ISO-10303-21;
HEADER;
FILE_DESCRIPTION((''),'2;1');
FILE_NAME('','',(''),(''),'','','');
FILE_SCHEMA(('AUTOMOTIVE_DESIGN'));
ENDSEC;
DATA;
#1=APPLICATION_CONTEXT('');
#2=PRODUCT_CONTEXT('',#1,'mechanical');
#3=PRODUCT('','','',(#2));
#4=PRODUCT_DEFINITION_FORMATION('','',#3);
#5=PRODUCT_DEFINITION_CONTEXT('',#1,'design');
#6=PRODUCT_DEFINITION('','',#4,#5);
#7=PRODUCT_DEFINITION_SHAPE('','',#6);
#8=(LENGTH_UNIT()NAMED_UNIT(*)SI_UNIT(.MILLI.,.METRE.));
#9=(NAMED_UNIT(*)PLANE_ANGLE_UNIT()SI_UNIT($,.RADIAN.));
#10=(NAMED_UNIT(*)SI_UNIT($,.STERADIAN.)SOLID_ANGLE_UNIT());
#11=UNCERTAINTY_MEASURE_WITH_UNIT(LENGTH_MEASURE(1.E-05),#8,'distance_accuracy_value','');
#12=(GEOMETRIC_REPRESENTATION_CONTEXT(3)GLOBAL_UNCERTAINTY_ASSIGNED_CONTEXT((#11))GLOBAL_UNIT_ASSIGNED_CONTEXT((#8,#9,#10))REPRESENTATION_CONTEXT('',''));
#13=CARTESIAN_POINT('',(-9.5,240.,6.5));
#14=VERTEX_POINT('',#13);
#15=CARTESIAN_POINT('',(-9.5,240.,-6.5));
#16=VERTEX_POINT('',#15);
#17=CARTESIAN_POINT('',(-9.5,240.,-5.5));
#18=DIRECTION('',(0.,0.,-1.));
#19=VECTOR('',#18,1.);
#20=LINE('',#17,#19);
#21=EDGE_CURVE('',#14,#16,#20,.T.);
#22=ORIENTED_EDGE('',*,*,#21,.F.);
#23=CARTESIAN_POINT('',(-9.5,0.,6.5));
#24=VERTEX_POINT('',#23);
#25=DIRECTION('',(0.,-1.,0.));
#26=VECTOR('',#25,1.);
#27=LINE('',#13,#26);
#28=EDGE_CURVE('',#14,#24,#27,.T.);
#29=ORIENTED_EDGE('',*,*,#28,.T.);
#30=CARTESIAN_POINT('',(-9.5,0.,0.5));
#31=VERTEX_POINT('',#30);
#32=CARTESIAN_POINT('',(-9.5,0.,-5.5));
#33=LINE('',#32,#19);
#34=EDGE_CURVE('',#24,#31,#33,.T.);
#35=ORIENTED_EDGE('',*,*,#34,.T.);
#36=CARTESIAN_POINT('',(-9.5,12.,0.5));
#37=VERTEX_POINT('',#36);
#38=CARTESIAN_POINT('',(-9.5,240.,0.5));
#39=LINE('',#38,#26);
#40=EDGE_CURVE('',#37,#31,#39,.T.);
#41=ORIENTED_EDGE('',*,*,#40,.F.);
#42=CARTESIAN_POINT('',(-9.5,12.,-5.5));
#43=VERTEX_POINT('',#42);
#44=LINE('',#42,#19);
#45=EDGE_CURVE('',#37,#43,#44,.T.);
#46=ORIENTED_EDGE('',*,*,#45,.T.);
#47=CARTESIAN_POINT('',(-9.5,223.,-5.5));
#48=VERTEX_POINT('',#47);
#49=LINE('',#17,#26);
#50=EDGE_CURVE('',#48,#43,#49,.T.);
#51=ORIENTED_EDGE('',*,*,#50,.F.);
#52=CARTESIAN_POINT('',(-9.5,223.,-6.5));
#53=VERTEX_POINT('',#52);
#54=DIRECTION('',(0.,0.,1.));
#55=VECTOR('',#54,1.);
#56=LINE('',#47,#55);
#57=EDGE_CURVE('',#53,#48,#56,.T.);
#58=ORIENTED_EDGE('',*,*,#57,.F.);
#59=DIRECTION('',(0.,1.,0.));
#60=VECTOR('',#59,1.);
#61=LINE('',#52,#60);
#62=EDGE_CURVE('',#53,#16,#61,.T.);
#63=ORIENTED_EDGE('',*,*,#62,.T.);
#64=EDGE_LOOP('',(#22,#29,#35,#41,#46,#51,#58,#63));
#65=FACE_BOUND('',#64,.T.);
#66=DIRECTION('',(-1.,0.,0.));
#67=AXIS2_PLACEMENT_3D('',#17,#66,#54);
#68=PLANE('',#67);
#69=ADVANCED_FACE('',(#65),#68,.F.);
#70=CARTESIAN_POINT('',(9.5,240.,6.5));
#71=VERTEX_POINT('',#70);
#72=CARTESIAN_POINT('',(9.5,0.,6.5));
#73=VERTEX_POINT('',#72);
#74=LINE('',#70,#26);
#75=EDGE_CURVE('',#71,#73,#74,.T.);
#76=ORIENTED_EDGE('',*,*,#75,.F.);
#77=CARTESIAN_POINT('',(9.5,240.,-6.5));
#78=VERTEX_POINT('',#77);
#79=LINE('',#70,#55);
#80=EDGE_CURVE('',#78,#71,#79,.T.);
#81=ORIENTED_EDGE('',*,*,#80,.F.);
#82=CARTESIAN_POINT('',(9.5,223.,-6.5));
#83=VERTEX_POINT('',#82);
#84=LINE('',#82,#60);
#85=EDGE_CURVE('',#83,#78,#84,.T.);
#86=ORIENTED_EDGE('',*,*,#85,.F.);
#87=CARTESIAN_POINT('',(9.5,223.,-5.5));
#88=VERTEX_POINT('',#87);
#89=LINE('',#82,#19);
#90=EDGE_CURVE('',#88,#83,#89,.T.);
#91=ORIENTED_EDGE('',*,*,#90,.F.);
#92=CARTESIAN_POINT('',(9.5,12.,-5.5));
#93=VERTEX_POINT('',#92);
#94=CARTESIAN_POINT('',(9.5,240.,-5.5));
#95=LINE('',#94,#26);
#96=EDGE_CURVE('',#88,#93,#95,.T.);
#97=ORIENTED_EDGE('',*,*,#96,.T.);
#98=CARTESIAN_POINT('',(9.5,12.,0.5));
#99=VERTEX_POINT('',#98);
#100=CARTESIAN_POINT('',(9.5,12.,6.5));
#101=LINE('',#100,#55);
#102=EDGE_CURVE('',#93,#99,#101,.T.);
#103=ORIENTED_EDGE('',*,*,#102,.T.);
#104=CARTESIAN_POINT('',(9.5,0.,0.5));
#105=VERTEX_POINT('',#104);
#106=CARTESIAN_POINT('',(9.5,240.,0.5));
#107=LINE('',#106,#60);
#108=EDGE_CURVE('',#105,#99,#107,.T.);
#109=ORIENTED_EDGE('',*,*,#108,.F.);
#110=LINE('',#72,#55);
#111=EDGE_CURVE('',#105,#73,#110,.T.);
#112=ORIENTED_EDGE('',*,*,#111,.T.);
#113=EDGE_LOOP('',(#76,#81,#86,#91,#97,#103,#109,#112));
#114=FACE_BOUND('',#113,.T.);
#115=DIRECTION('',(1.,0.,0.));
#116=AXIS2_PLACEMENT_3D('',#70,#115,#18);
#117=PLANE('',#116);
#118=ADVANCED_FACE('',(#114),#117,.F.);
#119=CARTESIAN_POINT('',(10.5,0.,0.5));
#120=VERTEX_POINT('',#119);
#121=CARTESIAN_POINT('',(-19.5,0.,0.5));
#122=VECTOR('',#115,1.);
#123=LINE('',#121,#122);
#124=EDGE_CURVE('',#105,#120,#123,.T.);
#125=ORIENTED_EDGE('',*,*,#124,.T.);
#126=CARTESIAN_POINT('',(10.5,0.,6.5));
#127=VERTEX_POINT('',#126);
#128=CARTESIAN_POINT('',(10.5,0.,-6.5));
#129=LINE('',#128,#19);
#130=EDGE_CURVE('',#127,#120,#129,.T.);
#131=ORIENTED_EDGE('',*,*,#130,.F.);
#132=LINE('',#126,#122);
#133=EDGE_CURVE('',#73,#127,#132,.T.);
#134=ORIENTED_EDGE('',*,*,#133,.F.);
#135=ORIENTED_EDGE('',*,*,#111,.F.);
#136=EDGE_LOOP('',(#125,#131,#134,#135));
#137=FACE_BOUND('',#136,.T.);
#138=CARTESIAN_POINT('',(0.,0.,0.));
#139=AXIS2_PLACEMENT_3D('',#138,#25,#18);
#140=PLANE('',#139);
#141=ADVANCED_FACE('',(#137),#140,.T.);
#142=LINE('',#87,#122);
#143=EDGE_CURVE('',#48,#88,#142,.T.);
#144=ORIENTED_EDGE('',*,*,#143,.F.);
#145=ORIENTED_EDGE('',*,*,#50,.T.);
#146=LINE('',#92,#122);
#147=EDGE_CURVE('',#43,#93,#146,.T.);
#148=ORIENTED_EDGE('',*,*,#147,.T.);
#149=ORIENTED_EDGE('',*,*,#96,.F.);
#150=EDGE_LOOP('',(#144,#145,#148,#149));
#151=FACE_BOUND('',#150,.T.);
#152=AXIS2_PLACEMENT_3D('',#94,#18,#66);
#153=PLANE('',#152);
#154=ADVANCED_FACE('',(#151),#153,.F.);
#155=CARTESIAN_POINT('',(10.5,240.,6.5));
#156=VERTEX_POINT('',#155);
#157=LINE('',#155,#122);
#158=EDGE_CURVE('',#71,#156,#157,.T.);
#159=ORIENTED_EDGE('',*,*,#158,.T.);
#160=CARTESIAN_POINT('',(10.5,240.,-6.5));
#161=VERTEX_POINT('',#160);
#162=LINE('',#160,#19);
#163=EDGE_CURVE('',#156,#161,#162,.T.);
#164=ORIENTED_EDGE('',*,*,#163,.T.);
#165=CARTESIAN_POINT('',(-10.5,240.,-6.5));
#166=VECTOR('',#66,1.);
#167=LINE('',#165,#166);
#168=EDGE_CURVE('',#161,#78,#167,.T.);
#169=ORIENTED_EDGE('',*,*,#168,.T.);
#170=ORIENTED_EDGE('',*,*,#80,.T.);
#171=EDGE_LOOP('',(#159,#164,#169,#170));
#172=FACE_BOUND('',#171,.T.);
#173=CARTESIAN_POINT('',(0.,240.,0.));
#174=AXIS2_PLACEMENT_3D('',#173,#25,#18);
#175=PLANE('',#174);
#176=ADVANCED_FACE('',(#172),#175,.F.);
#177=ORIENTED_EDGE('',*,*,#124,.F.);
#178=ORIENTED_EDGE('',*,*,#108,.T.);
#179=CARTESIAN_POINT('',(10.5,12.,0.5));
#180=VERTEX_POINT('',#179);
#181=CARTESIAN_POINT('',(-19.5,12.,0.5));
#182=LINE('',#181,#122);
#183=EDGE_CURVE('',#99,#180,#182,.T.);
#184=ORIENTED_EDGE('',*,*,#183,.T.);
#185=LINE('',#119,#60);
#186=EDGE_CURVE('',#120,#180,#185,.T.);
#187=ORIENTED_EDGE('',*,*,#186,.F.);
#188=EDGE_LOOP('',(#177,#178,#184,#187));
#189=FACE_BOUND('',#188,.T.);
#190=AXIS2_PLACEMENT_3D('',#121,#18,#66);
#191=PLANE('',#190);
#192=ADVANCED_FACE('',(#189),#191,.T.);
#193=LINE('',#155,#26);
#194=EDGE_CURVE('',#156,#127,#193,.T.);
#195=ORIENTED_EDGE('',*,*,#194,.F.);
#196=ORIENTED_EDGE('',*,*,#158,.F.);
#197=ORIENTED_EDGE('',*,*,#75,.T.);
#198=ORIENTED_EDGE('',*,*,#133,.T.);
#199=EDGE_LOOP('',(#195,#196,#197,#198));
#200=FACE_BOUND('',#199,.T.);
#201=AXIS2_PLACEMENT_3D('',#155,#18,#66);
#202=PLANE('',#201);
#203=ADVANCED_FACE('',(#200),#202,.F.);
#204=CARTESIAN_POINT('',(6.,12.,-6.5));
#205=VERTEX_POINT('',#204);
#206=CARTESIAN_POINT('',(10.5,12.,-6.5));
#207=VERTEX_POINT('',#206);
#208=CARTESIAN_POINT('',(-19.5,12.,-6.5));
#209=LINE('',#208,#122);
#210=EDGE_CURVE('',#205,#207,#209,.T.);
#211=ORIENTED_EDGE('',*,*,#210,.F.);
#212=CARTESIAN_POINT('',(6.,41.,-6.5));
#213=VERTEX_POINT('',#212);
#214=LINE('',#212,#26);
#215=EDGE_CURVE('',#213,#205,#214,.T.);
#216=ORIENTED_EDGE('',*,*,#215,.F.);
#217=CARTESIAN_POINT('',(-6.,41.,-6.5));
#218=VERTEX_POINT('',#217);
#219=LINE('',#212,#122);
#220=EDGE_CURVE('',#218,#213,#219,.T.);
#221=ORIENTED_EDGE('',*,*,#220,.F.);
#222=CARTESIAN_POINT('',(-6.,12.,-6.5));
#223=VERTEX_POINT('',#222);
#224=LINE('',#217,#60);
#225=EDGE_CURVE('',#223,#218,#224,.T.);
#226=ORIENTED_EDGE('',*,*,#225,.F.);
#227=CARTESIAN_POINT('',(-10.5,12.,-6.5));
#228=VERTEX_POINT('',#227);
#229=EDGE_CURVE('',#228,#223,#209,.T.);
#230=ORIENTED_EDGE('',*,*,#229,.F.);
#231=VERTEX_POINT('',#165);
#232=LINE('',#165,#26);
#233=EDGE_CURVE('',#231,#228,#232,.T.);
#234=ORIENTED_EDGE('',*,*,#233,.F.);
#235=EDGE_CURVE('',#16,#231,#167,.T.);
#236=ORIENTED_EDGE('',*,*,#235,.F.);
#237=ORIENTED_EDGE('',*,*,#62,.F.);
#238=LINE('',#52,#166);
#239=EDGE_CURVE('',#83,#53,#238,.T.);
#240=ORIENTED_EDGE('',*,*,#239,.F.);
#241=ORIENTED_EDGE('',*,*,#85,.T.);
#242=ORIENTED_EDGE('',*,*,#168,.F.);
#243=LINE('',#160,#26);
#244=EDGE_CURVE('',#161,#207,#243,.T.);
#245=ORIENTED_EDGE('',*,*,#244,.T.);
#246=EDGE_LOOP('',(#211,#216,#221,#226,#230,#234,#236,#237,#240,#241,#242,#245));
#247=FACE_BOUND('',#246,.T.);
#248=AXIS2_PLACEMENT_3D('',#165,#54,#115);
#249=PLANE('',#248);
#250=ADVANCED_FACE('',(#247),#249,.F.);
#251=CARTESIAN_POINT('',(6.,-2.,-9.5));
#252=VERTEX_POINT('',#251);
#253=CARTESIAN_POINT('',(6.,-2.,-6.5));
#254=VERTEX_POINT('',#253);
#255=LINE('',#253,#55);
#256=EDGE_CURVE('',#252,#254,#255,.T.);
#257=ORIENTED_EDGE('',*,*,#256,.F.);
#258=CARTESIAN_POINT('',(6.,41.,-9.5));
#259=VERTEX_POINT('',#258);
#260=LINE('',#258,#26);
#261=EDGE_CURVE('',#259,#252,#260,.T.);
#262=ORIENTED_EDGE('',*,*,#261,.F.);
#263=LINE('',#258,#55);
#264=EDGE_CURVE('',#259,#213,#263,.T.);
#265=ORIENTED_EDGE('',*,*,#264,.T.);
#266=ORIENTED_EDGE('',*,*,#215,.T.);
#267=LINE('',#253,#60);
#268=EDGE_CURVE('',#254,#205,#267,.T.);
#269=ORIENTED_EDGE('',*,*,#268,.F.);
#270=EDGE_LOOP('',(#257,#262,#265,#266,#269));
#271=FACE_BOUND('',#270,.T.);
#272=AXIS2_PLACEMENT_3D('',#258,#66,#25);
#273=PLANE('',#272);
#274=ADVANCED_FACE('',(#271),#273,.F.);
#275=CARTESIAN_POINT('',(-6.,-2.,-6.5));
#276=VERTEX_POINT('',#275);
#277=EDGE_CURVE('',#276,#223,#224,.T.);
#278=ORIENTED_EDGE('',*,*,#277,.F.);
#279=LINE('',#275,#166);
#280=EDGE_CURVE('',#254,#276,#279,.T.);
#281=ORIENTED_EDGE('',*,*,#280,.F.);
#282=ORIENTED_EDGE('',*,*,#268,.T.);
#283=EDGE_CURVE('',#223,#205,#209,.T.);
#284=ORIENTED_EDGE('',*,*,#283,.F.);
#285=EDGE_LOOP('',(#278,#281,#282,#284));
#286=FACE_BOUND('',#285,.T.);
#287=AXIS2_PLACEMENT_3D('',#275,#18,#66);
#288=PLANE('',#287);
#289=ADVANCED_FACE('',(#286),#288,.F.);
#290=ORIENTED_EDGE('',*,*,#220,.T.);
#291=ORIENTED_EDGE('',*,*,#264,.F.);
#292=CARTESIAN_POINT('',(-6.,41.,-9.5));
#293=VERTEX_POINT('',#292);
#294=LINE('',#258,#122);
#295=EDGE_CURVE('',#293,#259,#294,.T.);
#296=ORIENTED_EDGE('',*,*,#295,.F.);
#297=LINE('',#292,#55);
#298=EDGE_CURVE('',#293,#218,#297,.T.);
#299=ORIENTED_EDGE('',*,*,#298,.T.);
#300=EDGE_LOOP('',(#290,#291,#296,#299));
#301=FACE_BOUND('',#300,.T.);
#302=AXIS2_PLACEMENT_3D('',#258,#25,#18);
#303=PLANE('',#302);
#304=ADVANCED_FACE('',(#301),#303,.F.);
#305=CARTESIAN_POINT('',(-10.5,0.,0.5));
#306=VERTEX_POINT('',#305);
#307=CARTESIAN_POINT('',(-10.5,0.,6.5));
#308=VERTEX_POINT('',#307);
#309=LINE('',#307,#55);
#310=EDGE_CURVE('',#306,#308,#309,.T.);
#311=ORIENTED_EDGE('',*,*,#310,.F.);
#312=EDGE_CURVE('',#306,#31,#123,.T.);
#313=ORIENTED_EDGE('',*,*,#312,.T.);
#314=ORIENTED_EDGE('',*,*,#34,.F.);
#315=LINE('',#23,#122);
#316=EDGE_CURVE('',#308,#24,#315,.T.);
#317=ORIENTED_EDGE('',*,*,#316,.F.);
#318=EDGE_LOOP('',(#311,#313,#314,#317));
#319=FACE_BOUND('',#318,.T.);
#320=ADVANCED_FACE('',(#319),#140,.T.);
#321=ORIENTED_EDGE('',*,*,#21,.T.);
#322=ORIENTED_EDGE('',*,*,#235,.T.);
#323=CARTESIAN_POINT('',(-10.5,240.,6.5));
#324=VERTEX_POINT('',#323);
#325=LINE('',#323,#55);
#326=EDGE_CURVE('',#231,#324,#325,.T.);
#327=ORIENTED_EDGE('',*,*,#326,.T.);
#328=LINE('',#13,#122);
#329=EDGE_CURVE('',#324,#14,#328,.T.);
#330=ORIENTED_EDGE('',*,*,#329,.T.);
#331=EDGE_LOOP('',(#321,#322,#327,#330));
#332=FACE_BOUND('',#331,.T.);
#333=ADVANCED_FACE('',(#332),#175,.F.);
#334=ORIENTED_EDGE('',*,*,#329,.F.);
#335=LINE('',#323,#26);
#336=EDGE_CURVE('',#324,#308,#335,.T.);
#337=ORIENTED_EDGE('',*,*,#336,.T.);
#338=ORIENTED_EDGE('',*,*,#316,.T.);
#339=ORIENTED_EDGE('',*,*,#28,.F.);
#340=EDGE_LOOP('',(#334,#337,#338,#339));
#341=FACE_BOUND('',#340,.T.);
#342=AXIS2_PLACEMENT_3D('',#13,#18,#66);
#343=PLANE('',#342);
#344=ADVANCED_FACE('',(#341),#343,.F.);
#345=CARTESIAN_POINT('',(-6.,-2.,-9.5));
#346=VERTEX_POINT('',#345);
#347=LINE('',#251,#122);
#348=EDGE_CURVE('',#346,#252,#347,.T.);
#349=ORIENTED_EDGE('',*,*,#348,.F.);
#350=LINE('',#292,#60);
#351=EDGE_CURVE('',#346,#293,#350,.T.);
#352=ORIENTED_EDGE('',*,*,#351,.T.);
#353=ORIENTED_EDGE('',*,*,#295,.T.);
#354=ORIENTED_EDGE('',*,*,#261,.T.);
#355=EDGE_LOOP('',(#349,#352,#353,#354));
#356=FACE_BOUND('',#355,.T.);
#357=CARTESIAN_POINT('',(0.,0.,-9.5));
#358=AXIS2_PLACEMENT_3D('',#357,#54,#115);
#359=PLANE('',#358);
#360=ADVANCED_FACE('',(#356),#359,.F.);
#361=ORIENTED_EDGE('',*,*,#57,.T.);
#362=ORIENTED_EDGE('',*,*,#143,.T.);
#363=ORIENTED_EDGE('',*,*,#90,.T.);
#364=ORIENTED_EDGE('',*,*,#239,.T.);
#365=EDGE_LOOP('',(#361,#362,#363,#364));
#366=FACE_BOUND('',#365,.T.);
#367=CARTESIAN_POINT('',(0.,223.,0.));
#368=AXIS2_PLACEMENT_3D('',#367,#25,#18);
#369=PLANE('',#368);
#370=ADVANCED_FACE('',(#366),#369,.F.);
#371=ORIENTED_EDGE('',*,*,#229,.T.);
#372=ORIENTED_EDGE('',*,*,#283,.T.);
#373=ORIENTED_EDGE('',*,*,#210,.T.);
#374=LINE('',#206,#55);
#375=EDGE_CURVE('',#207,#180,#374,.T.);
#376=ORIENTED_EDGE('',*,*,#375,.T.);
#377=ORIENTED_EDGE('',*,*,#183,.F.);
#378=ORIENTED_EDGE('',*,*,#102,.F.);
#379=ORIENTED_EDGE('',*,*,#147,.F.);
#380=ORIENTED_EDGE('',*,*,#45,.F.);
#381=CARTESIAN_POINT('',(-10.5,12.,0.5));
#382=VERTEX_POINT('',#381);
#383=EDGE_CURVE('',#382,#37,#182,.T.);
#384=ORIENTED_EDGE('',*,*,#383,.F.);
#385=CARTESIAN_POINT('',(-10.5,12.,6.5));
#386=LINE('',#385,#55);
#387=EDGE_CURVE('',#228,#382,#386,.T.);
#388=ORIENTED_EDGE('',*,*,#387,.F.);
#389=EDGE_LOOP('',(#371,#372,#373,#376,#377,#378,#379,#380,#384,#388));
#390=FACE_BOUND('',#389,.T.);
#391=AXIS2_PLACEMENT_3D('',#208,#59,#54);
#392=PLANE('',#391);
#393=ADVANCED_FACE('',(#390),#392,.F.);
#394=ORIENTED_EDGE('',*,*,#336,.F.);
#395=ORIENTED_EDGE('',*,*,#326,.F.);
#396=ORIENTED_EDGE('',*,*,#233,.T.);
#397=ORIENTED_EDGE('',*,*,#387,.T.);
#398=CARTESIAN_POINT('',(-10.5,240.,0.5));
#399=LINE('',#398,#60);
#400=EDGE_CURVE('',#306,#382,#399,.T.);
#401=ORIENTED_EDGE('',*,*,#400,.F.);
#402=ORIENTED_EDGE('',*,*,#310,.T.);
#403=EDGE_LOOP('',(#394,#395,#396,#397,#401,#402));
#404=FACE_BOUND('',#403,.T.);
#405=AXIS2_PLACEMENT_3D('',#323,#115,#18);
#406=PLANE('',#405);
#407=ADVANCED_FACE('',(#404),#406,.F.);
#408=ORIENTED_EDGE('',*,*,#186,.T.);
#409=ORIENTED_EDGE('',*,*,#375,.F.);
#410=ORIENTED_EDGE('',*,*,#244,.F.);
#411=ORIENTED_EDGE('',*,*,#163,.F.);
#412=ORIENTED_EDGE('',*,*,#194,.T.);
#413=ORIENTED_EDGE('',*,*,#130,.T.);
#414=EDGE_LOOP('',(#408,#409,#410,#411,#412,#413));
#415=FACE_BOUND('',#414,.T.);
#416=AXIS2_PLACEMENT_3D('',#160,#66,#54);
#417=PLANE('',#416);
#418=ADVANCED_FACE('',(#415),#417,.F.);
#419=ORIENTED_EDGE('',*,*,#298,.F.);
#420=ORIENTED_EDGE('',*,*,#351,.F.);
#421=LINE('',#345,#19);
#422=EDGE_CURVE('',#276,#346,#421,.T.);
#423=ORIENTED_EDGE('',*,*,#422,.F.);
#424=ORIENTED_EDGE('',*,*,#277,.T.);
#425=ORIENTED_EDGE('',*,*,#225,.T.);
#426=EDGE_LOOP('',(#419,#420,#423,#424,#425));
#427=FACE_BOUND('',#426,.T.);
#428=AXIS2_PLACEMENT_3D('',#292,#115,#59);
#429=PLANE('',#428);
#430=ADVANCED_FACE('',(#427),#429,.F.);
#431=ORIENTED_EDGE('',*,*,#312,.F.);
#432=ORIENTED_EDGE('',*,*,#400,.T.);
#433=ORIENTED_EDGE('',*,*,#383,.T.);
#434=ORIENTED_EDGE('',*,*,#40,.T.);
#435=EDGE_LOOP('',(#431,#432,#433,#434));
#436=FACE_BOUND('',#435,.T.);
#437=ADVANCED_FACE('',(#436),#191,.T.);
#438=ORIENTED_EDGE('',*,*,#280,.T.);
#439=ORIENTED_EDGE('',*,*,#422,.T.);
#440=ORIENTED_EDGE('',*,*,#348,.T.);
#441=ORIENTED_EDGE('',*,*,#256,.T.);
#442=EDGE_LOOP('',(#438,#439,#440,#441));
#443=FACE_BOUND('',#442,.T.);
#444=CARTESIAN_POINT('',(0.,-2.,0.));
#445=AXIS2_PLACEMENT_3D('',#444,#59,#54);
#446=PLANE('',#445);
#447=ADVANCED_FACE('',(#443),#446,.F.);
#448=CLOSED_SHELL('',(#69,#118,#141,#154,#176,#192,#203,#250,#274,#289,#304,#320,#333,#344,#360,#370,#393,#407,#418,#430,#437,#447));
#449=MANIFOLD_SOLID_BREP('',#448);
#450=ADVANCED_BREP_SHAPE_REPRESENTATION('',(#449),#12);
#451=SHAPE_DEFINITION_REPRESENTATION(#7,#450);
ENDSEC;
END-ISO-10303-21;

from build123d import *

# Parameters (mm, degrees)
BOSS_EXTRUDE1_DEPTH = 240
SKETCH3_W           = 19
SKETCH3_H           = 1
CUT_EXTRUDE1_DEPTH  = 17
SKETCH4_W           = 19
SKETCH4_H           = 1
CUT_EXTRUDE2_DEPTH  = 11
SKETCH5_W           = 12
SKETCH5_H           = 30
BOSS_EXTRUDE2_DEPTH = 3
SKETCH6_W           = 12
SKETCH6_H           = 3
BOSS_EXTRUDE3_DEPTH = 13
SKETCH7_W           = 7
SKETCH7_H           = 12
CUT_EXTRUDE3_DEPTH  = 30


with BuildPart() as part:
    # Sketch2 → Boss-Extrude1 (new body)
    with BuildSketch(Plane(origin=(0, 0, 0), x_dir=(1, 0, 0), z_dir=(0, 1, 0))):
        Polygon((-10.5, -6.5), (-10.5, 6.5), (10.5, 6.5), (10.5, -6.5), (9.5, -6.5), (9.5, 5.5), (-9.5, 5.5), (-9.5, -6.5), align=None)
    extrude(amount=BOSS_EXTRUDE1_DEPTH)

    # Sketch3 → Cut-Extrude1 (cut)
    with BuildSketch(Plane(origin=(0, 240, 0), x_dir=(1, 0, 0), z_dir=(0, 1, 0))):
        with Locations((0, 6)):
            Rectangle(SKETCH3_W, SKETCH3_H)
    extrude(amount=-CUT_EXTRUDE1_DEPTH, mode=Mode.SUBTRACT)

    # Sketch4 → Cut-Extrude2 (cut)
    with BuildSketch(Plane.XZ):
        with Locations((0, -6)):
            Rectangle(SKETCH4_W, SKETCH4_H)
    extrude(amount=-CUT_EXTRUDE2_DEPTH, mode=Mode.SUBTRACT)

    # Sketch5 → Boss-Extrude2 (add)
    with BuildSketch(Plane(origin=(0, 0, -6.5), x_dir=(-1, 0, 0), z_dir=(0, 0, -1))):
        with Locations((0, 26)):
            Rectangle(SKETCH5_W, SKETCH5_H)
    extrude(amount=BOSS_EXTRUDE2_DEPTH)

    # Sketch6 → Boss-Extrude3 (add)
    with BuildSketch(Plane.XZ.offset(-11)):
        with Locations((0, -8)):
            Rectangle(SKETCH6_W, SKETCH6_H)
    extrude(amount=BOSS_EXTRUDE3_DEPTH)

    # Sketch7 → Cut-Extrude3 (cut)
    with BuildSketch(Plane(origin=(10.5, 0, 0), x_dir=(0, 0, -1), z_dir=(1, 0, 0))):
        with Locations((3, 6)):
            Rectangle(SKETCH7_W, SKETCH7_H)
    extrude(amount=-CUT_EXTRUDE3_DEPTH, mode=Mode.SUBTRACT)


solid = part.part
